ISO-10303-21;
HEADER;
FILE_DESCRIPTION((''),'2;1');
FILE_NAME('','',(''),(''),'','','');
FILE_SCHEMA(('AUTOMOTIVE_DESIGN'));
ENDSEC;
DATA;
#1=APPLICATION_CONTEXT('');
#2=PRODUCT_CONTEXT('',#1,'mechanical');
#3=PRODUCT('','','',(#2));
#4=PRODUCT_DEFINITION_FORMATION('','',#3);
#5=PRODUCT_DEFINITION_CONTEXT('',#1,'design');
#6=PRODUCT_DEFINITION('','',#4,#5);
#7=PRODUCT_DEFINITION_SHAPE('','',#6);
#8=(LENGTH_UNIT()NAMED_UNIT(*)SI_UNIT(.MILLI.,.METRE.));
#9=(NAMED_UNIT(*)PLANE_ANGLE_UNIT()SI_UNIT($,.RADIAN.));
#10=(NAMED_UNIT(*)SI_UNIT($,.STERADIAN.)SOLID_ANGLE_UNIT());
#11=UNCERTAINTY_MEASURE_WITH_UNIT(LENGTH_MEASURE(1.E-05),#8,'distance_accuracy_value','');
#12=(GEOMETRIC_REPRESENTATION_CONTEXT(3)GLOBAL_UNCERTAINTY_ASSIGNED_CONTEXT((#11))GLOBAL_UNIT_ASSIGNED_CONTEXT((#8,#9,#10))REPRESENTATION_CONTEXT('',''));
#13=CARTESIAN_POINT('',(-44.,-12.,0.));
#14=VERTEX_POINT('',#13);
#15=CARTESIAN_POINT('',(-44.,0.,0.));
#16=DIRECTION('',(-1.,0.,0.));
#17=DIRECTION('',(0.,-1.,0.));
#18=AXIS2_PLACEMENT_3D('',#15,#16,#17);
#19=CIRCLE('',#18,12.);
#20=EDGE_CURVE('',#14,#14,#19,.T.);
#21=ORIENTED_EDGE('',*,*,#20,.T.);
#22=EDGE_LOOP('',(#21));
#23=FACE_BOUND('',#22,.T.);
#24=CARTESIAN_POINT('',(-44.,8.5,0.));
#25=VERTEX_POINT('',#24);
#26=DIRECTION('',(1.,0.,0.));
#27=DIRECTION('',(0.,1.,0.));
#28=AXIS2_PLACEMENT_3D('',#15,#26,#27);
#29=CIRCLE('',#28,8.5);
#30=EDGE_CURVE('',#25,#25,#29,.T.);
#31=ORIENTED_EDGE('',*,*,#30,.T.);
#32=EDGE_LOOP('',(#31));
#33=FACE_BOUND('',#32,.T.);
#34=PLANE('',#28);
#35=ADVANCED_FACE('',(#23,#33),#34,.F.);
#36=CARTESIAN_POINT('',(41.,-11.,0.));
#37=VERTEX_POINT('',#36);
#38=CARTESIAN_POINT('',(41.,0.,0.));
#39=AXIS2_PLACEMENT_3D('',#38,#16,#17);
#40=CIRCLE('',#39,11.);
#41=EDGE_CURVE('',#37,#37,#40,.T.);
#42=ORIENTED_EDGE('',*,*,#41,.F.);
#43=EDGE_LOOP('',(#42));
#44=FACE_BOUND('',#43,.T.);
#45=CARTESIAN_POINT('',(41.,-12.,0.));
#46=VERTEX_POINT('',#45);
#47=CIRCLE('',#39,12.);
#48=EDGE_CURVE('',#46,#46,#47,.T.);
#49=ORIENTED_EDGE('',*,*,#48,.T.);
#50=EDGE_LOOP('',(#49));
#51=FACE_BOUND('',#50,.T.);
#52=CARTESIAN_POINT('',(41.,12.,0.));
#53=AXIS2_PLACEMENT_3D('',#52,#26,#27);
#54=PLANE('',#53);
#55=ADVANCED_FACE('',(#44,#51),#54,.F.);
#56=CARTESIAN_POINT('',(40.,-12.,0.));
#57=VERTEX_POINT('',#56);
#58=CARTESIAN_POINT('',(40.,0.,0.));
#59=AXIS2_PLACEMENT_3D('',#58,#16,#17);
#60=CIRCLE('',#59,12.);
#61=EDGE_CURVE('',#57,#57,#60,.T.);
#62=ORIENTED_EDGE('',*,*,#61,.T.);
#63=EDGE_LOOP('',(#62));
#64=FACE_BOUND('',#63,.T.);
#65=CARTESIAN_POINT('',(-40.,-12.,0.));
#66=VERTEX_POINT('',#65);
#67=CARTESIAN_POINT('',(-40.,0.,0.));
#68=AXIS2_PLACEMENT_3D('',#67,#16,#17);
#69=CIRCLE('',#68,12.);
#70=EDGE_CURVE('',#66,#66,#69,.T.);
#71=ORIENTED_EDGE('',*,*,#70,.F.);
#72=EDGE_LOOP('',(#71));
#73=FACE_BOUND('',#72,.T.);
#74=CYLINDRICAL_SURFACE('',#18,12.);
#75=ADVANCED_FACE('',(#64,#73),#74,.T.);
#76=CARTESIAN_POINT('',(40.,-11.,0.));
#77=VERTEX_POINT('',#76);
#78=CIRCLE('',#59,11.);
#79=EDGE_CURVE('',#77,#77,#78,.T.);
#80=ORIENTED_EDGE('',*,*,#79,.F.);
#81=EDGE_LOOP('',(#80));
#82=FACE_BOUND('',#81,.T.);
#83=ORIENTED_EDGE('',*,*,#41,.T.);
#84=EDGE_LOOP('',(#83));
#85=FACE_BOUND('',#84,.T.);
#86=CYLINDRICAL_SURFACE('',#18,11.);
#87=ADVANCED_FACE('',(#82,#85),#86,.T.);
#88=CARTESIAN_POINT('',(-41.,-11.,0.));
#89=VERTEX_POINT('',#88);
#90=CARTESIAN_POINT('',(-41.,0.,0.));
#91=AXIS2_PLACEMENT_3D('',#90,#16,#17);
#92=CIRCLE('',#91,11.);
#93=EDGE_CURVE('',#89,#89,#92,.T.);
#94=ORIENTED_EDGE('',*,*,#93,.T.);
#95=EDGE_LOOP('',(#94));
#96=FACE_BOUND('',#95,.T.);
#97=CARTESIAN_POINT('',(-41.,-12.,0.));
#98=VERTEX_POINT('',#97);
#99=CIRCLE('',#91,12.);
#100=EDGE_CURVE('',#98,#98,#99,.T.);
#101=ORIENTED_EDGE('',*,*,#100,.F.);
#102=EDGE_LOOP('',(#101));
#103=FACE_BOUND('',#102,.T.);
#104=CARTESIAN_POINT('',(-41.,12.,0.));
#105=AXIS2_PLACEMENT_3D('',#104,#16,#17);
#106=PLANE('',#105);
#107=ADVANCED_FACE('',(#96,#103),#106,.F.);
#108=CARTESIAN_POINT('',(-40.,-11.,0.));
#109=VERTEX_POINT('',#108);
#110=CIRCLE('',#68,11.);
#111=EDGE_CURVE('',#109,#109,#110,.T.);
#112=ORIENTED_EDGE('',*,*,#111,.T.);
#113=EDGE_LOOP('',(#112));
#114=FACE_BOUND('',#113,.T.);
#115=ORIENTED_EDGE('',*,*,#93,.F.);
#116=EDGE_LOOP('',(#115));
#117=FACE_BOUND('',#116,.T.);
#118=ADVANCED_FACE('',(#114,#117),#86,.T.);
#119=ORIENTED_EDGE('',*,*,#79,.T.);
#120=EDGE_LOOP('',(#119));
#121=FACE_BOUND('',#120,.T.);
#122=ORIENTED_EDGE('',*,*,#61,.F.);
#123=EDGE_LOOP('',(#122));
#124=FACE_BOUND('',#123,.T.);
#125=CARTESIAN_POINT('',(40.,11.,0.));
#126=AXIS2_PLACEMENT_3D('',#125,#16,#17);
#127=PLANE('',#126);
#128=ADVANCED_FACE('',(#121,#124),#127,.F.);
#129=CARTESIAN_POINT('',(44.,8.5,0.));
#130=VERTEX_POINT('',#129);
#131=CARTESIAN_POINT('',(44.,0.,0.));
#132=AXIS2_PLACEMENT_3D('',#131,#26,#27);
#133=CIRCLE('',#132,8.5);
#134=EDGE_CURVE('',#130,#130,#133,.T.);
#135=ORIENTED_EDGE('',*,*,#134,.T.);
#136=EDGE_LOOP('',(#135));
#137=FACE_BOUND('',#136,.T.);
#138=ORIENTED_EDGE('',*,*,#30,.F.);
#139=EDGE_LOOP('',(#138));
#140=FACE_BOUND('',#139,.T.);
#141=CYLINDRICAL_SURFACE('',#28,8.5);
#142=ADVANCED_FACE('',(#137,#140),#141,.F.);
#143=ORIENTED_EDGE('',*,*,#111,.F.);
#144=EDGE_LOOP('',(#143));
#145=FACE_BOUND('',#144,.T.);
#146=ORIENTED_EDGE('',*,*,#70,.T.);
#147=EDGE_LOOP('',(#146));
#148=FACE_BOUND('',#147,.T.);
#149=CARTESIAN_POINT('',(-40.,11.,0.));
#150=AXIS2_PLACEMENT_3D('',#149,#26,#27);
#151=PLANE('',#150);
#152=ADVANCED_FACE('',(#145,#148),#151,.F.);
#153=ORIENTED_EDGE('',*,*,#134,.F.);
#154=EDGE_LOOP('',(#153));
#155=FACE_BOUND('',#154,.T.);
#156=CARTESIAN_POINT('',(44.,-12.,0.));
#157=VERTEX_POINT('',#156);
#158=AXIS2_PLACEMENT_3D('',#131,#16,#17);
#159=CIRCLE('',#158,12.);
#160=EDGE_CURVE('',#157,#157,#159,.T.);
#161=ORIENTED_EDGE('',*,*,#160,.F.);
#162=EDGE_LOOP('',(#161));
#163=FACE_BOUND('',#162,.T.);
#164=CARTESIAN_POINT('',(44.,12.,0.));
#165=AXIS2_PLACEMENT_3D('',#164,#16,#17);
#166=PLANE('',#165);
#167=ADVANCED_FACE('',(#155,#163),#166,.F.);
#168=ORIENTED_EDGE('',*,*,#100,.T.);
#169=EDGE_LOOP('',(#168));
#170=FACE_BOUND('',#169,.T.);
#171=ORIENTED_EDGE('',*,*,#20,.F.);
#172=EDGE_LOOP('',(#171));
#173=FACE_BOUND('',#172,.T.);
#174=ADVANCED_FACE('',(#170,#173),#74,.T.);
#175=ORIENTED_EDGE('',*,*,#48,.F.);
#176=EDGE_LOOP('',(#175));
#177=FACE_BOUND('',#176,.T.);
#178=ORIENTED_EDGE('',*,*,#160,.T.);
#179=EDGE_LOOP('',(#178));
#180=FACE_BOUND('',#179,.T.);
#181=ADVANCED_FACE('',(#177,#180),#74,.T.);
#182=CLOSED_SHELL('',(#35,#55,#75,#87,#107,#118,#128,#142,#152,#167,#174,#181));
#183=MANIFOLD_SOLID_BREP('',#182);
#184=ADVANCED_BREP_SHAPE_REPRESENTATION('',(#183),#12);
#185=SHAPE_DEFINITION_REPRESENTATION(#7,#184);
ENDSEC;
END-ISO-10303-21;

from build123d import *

# Parameters (mm, degrees)
IZIM2_R               = 8.5
KES_EKSTR_ZYON1_DEPTH = 89


with BuildPart() as part:
    # Çizim1 → Döndür1 (revolve)
    with BuildSketch(Plane.XY):
        Polygon((-44, 0), (-44, 12), (-41, 12), (-41, 11), (-40, 11), (-40, 12), (40, 12), (40, 11), (41, 11), (41, 12), (44, 12), (44, 0), align=None)
    revolve(axis=Axis((-44, 0, 0), (1, 0, 0)))

    # Çizim2 → Kes-Ekstrüzyon1 (cut, through all)
    with BuildSketch(Plane(origin=(44, 0, 0), x_dir=(0, 0, -1), z_dir=(1, 0, 0))):
        Circle(IZIM2_R)
    extrude(amount=-KES_EKSTR_ZYON1_DEPTH, mode=Mode.SUBTRACT)


solid = part.part
